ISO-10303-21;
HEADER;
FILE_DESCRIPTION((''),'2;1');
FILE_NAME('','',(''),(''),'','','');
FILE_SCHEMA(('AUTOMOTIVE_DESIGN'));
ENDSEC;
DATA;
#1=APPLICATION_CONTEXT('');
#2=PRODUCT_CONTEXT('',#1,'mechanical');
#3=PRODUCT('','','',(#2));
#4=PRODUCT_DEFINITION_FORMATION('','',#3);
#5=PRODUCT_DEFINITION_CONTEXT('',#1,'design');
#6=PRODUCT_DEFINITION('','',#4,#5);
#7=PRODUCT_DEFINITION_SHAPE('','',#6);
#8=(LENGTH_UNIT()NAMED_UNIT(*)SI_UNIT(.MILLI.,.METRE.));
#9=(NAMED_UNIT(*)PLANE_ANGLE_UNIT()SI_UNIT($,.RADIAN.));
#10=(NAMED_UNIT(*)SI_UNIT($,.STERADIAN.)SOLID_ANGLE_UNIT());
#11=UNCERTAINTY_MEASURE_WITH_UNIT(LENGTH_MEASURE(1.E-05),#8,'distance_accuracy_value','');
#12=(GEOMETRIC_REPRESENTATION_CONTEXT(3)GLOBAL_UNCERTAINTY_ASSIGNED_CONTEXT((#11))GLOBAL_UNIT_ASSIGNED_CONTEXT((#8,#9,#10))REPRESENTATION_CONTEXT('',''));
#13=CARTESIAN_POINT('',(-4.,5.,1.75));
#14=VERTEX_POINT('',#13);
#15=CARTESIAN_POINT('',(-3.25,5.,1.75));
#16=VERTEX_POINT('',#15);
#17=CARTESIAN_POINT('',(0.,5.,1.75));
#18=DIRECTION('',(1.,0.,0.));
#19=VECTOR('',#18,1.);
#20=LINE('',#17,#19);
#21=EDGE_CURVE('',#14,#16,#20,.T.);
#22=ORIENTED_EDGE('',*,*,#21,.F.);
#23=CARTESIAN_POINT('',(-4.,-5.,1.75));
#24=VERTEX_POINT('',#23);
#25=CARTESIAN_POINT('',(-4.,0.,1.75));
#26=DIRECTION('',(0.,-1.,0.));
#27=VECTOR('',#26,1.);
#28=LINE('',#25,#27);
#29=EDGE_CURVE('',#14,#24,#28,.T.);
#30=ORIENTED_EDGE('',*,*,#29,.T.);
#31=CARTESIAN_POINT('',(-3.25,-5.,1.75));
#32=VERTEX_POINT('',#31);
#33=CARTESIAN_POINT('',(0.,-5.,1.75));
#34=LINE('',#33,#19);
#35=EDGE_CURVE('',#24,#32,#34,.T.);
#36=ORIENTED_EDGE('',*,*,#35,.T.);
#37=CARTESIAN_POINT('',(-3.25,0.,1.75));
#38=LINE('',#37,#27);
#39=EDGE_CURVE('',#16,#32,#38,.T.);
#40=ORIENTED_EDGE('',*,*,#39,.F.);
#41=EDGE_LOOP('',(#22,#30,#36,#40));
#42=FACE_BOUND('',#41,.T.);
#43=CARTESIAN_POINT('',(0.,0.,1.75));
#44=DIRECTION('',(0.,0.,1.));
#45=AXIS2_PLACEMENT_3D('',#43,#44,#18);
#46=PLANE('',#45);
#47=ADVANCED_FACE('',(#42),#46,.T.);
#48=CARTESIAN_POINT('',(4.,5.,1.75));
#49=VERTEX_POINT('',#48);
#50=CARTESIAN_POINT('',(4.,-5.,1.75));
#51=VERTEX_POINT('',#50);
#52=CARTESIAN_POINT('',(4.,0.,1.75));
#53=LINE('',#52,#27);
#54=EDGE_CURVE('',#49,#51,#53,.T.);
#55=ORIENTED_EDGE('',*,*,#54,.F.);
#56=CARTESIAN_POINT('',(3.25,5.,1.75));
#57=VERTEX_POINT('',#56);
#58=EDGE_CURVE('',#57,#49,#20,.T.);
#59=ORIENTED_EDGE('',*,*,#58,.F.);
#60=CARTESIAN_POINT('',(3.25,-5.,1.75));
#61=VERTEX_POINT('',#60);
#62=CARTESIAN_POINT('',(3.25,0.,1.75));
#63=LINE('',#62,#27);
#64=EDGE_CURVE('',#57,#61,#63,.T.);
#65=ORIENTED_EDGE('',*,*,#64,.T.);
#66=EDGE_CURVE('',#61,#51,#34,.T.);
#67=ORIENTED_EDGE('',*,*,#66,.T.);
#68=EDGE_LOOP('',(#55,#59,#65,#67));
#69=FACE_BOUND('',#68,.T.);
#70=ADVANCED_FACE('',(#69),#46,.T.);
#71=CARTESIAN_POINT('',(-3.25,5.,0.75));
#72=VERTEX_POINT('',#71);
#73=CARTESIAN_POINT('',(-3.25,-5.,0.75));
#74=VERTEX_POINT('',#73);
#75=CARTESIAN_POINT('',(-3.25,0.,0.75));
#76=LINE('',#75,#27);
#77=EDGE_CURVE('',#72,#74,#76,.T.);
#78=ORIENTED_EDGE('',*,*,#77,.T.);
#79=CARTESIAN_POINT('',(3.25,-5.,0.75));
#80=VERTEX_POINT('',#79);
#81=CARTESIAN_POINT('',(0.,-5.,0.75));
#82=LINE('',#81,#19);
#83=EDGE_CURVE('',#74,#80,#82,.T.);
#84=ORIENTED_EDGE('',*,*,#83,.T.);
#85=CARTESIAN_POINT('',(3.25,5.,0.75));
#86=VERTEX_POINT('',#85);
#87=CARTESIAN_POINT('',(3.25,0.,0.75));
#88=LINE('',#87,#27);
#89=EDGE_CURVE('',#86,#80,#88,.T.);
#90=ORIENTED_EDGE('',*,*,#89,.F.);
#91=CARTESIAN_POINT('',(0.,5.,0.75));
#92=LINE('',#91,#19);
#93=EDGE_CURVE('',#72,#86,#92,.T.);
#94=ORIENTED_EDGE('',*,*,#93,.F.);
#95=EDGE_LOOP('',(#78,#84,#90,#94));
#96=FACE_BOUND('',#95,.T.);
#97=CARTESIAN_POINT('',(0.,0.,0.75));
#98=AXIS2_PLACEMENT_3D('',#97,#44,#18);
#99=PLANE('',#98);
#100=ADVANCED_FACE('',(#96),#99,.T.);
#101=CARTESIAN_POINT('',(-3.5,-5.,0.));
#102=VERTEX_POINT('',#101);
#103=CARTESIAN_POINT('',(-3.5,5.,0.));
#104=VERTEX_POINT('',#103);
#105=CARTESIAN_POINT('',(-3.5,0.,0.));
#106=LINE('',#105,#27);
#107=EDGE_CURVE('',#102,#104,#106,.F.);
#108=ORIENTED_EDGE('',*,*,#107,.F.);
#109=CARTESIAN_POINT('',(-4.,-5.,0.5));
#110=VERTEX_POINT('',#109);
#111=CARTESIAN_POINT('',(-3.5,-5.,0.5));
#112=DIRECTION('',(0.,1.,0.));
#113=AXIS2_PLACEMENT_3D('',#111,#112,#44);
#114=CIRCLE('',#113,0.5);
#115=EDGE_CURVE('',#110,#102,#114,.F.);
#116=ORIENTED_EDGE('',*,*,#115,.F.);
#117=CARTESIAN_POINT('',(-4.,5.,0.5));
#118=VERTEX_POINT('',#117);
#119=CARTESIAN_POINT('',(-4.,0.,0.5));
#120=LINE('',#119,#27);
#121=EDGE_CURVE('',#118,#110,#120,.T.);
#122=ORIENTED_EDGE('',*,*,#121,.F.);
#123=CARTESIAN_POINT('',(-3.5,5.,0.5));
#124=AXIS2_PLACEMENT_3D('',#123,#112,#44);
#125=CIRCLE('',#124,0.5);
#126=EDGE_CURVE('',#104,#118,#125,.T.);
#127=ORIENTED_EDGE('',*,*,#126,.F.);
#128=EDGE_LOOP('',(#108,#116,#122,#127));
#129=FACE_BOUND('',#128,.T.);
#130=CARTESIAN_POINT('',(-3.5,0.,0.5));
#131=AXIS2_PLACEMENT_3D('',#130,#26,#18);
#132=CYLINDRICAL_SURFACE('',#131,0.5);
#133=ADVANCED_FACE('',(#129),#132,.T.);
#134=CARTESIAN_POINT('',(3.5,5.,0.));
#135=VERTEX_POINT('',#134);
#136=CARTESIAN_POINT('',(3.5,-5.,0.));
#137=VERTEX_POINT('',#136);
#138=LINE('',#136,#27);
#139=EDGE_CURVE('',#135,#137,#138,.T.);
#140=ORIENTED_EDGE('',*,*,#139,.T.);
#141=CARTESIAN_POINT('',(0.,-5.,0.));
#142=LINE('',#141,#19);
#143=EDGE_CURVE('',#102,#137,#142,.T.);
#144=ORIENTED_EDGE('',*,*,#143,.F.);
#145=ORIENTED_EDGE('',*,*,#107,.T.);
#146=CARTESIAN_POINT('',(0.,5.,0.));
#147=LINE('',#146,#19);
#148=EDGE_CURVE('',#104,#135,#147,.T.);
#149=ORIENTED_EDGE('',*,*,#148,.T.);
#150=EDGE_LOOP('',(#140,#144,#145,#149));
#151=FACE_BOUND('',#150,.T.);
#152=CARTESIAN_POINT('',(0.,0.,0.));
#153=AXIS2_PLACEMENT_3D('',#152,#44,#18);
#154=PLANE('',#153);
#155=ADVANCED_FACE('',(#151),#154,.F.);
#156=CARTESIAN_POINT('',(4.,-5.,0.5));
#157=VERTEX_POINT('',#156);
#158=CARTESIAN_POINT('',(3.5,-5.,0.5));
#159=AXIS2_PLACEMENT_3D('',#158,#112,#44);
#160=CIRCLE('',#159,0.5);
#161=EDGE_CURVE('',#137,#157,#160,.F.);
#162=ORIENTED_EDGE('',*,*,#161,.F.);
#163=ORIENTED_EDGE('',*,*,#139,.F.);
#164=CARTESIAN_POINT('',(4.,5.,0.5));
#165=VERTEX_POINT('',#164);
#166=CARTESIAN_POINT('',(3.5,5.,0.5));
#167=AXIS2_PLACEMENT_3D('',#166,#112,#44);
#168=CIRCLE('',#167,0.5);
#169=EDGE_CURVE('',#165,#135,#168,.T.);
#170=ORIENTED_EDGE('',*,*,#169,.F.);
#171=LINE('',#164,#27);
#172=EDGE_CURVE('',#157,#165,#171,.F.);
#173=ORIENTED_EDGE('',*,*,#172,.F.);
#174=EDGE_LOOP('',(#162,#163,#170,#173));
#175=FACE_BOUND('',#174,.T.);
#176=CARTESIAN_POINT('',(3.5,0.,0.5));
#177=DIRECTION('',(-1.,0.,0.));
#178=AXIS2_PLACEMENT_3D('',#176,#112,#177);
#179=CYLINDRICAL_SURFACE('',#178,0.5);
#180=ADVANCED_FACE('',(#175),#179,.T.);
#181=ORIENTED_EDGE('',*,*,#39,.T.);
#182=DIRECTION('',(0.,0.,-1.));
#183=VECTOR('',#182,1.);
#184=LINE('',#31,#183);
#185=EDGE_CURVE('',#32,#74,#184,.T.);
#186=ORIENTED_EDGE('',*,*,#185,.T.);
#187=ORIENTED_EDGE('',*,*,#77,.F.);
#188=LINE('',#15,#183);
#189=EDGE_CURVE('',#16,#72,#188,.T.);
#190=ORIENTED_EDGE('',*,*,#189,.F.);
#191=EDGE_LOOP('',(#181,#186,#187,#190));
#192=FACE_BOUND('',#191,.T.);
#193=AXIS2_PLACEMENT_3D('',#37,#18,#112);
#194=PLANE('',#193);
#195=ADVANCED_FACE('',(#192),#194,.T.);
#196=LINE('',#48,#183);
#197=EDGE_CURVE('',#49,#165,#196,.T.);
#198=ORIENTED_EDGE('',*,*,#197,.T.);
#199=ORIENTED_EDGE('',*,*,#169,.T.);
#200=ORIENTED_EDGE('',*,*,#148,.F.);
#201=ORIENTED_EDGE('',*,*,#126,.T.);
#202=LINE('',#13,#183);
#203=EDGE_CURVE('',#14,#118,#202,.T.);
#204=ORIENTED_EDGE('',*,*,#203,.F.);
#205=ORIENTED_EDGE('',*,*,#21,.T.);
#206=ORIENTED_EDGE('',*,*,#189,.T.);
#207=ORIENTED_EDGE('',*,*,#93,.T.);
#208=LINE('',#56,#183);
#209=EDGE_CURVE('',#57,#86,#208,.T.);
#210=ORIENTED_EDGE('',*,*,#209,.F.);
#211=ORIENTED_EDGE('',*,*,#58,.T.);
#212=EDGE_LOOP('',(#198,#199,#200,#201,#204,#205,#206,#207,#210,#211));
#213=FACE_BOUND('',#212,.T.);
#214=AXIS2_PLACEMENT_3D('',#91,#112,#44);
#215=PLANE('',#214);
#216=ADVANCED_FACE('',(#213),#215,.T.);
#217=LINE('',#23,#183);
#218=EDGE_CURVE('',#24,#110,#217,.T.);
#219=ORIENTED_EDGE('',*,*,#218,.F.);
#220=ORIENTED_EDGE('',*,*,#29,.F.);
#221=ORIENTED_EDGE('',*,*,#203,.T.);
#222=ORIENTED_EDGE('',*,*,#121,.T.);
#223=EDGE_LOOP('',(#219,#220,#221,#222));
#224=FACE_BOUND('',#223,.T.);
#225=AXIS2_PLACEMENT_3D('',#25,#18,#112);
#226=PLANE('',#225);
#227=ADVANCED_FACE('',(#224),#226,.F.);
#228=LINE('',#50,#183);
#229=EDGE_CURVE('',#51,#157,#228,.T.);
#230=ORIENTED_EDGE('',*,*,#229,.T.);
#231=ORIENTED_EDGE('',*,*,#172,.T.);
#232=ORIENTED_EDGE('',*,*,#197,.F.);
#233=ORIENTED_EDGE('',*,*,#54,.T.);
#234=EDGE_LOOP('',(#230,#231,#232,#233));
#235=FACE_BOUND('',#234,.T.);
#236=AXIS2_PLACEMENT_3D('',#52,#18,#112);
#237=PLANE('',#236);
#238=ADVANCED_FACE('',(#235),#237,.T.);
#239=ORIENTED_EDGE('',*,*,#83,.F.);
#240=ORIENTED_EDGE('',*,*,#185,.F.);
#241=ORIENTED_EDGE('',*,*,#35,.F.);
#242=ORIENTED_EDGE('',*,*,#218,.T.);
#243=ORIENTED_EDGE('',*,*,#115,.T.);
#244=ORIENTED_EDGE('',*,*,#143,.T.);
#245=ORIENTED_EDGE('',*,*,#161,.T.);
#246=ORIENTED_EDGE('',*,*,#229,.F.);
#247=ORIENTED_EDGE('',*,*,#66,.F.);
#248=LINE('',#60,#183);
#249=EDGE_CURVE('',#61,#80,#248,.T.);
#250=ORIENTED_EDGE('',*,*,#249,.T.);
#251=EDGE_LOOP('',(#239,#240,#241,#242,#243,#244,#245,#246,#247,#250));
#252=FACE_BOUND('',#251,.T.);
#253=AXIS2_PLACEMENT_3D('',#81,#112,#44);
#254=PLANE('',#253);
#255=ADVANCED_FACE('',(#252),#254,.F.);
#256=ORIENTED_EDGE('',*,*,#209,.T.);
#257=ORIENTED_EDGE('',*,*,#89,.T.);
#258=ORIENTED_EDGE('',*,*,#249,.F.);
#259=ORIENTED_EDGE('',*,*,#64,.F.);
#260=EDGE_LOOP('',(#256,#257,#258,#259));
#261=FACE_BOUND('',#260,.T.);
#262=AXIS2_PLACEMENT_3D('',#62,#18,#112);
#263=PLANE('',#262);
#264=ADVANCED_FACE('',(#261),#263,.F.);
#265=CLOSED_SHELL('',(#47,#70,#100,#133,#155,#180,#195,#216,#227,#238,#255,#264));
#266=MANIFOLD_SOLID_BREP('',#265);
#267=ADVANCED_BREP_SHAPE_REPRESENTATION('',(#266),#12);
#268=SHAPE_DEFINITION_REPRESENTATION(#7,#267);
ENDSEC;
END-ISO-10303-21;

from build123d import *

# Parameters (mm, degrees)
SKETCH1_W           = 6.5
SKETCH1_H           = 10
BOSS_EXTRUDE1_DEPTH = 0.75
SKETCH1_3_W         = 0.75
SKETCH1_3_H         = 10
BOSS_EXTRUDE2_DEPTH = 1.75
FILLET1_R           = 0.5


with BuildPart() as part:
    # Sketch1 → Boss-Extrude1 (new body)
    with BuildSketch(Plane.XY):
        Rectangle(SKETCH1_W, SKETCH1_H)
    extrude(amount=BOSS_EXTRUDE1_DEPTH)

    # Sketch1<3> → Boss-Extrude2 (add)
    with BuildSketch(Plane.XY):
        with Locations((3.625, 0)):
            Rectangle(SKETCH1_3_W, SKETCH1_3_H)
        with Locations((-3.625, 0)):
            Rectangle(SKETCH1_3_W, SKETCH1_3_H)
    extrude(amount=BOSS_EXTRUDE2_DEPTH)

    # Fillet1
    fillet1_edges = [part.edges().sort_by_distance(p)[0] for p in [
        (4, 0, 0),
        (-4, 0, 0),
    ]]
    fillet(fillet1_edges, radius=FILLET1_R)


solid = part.part
